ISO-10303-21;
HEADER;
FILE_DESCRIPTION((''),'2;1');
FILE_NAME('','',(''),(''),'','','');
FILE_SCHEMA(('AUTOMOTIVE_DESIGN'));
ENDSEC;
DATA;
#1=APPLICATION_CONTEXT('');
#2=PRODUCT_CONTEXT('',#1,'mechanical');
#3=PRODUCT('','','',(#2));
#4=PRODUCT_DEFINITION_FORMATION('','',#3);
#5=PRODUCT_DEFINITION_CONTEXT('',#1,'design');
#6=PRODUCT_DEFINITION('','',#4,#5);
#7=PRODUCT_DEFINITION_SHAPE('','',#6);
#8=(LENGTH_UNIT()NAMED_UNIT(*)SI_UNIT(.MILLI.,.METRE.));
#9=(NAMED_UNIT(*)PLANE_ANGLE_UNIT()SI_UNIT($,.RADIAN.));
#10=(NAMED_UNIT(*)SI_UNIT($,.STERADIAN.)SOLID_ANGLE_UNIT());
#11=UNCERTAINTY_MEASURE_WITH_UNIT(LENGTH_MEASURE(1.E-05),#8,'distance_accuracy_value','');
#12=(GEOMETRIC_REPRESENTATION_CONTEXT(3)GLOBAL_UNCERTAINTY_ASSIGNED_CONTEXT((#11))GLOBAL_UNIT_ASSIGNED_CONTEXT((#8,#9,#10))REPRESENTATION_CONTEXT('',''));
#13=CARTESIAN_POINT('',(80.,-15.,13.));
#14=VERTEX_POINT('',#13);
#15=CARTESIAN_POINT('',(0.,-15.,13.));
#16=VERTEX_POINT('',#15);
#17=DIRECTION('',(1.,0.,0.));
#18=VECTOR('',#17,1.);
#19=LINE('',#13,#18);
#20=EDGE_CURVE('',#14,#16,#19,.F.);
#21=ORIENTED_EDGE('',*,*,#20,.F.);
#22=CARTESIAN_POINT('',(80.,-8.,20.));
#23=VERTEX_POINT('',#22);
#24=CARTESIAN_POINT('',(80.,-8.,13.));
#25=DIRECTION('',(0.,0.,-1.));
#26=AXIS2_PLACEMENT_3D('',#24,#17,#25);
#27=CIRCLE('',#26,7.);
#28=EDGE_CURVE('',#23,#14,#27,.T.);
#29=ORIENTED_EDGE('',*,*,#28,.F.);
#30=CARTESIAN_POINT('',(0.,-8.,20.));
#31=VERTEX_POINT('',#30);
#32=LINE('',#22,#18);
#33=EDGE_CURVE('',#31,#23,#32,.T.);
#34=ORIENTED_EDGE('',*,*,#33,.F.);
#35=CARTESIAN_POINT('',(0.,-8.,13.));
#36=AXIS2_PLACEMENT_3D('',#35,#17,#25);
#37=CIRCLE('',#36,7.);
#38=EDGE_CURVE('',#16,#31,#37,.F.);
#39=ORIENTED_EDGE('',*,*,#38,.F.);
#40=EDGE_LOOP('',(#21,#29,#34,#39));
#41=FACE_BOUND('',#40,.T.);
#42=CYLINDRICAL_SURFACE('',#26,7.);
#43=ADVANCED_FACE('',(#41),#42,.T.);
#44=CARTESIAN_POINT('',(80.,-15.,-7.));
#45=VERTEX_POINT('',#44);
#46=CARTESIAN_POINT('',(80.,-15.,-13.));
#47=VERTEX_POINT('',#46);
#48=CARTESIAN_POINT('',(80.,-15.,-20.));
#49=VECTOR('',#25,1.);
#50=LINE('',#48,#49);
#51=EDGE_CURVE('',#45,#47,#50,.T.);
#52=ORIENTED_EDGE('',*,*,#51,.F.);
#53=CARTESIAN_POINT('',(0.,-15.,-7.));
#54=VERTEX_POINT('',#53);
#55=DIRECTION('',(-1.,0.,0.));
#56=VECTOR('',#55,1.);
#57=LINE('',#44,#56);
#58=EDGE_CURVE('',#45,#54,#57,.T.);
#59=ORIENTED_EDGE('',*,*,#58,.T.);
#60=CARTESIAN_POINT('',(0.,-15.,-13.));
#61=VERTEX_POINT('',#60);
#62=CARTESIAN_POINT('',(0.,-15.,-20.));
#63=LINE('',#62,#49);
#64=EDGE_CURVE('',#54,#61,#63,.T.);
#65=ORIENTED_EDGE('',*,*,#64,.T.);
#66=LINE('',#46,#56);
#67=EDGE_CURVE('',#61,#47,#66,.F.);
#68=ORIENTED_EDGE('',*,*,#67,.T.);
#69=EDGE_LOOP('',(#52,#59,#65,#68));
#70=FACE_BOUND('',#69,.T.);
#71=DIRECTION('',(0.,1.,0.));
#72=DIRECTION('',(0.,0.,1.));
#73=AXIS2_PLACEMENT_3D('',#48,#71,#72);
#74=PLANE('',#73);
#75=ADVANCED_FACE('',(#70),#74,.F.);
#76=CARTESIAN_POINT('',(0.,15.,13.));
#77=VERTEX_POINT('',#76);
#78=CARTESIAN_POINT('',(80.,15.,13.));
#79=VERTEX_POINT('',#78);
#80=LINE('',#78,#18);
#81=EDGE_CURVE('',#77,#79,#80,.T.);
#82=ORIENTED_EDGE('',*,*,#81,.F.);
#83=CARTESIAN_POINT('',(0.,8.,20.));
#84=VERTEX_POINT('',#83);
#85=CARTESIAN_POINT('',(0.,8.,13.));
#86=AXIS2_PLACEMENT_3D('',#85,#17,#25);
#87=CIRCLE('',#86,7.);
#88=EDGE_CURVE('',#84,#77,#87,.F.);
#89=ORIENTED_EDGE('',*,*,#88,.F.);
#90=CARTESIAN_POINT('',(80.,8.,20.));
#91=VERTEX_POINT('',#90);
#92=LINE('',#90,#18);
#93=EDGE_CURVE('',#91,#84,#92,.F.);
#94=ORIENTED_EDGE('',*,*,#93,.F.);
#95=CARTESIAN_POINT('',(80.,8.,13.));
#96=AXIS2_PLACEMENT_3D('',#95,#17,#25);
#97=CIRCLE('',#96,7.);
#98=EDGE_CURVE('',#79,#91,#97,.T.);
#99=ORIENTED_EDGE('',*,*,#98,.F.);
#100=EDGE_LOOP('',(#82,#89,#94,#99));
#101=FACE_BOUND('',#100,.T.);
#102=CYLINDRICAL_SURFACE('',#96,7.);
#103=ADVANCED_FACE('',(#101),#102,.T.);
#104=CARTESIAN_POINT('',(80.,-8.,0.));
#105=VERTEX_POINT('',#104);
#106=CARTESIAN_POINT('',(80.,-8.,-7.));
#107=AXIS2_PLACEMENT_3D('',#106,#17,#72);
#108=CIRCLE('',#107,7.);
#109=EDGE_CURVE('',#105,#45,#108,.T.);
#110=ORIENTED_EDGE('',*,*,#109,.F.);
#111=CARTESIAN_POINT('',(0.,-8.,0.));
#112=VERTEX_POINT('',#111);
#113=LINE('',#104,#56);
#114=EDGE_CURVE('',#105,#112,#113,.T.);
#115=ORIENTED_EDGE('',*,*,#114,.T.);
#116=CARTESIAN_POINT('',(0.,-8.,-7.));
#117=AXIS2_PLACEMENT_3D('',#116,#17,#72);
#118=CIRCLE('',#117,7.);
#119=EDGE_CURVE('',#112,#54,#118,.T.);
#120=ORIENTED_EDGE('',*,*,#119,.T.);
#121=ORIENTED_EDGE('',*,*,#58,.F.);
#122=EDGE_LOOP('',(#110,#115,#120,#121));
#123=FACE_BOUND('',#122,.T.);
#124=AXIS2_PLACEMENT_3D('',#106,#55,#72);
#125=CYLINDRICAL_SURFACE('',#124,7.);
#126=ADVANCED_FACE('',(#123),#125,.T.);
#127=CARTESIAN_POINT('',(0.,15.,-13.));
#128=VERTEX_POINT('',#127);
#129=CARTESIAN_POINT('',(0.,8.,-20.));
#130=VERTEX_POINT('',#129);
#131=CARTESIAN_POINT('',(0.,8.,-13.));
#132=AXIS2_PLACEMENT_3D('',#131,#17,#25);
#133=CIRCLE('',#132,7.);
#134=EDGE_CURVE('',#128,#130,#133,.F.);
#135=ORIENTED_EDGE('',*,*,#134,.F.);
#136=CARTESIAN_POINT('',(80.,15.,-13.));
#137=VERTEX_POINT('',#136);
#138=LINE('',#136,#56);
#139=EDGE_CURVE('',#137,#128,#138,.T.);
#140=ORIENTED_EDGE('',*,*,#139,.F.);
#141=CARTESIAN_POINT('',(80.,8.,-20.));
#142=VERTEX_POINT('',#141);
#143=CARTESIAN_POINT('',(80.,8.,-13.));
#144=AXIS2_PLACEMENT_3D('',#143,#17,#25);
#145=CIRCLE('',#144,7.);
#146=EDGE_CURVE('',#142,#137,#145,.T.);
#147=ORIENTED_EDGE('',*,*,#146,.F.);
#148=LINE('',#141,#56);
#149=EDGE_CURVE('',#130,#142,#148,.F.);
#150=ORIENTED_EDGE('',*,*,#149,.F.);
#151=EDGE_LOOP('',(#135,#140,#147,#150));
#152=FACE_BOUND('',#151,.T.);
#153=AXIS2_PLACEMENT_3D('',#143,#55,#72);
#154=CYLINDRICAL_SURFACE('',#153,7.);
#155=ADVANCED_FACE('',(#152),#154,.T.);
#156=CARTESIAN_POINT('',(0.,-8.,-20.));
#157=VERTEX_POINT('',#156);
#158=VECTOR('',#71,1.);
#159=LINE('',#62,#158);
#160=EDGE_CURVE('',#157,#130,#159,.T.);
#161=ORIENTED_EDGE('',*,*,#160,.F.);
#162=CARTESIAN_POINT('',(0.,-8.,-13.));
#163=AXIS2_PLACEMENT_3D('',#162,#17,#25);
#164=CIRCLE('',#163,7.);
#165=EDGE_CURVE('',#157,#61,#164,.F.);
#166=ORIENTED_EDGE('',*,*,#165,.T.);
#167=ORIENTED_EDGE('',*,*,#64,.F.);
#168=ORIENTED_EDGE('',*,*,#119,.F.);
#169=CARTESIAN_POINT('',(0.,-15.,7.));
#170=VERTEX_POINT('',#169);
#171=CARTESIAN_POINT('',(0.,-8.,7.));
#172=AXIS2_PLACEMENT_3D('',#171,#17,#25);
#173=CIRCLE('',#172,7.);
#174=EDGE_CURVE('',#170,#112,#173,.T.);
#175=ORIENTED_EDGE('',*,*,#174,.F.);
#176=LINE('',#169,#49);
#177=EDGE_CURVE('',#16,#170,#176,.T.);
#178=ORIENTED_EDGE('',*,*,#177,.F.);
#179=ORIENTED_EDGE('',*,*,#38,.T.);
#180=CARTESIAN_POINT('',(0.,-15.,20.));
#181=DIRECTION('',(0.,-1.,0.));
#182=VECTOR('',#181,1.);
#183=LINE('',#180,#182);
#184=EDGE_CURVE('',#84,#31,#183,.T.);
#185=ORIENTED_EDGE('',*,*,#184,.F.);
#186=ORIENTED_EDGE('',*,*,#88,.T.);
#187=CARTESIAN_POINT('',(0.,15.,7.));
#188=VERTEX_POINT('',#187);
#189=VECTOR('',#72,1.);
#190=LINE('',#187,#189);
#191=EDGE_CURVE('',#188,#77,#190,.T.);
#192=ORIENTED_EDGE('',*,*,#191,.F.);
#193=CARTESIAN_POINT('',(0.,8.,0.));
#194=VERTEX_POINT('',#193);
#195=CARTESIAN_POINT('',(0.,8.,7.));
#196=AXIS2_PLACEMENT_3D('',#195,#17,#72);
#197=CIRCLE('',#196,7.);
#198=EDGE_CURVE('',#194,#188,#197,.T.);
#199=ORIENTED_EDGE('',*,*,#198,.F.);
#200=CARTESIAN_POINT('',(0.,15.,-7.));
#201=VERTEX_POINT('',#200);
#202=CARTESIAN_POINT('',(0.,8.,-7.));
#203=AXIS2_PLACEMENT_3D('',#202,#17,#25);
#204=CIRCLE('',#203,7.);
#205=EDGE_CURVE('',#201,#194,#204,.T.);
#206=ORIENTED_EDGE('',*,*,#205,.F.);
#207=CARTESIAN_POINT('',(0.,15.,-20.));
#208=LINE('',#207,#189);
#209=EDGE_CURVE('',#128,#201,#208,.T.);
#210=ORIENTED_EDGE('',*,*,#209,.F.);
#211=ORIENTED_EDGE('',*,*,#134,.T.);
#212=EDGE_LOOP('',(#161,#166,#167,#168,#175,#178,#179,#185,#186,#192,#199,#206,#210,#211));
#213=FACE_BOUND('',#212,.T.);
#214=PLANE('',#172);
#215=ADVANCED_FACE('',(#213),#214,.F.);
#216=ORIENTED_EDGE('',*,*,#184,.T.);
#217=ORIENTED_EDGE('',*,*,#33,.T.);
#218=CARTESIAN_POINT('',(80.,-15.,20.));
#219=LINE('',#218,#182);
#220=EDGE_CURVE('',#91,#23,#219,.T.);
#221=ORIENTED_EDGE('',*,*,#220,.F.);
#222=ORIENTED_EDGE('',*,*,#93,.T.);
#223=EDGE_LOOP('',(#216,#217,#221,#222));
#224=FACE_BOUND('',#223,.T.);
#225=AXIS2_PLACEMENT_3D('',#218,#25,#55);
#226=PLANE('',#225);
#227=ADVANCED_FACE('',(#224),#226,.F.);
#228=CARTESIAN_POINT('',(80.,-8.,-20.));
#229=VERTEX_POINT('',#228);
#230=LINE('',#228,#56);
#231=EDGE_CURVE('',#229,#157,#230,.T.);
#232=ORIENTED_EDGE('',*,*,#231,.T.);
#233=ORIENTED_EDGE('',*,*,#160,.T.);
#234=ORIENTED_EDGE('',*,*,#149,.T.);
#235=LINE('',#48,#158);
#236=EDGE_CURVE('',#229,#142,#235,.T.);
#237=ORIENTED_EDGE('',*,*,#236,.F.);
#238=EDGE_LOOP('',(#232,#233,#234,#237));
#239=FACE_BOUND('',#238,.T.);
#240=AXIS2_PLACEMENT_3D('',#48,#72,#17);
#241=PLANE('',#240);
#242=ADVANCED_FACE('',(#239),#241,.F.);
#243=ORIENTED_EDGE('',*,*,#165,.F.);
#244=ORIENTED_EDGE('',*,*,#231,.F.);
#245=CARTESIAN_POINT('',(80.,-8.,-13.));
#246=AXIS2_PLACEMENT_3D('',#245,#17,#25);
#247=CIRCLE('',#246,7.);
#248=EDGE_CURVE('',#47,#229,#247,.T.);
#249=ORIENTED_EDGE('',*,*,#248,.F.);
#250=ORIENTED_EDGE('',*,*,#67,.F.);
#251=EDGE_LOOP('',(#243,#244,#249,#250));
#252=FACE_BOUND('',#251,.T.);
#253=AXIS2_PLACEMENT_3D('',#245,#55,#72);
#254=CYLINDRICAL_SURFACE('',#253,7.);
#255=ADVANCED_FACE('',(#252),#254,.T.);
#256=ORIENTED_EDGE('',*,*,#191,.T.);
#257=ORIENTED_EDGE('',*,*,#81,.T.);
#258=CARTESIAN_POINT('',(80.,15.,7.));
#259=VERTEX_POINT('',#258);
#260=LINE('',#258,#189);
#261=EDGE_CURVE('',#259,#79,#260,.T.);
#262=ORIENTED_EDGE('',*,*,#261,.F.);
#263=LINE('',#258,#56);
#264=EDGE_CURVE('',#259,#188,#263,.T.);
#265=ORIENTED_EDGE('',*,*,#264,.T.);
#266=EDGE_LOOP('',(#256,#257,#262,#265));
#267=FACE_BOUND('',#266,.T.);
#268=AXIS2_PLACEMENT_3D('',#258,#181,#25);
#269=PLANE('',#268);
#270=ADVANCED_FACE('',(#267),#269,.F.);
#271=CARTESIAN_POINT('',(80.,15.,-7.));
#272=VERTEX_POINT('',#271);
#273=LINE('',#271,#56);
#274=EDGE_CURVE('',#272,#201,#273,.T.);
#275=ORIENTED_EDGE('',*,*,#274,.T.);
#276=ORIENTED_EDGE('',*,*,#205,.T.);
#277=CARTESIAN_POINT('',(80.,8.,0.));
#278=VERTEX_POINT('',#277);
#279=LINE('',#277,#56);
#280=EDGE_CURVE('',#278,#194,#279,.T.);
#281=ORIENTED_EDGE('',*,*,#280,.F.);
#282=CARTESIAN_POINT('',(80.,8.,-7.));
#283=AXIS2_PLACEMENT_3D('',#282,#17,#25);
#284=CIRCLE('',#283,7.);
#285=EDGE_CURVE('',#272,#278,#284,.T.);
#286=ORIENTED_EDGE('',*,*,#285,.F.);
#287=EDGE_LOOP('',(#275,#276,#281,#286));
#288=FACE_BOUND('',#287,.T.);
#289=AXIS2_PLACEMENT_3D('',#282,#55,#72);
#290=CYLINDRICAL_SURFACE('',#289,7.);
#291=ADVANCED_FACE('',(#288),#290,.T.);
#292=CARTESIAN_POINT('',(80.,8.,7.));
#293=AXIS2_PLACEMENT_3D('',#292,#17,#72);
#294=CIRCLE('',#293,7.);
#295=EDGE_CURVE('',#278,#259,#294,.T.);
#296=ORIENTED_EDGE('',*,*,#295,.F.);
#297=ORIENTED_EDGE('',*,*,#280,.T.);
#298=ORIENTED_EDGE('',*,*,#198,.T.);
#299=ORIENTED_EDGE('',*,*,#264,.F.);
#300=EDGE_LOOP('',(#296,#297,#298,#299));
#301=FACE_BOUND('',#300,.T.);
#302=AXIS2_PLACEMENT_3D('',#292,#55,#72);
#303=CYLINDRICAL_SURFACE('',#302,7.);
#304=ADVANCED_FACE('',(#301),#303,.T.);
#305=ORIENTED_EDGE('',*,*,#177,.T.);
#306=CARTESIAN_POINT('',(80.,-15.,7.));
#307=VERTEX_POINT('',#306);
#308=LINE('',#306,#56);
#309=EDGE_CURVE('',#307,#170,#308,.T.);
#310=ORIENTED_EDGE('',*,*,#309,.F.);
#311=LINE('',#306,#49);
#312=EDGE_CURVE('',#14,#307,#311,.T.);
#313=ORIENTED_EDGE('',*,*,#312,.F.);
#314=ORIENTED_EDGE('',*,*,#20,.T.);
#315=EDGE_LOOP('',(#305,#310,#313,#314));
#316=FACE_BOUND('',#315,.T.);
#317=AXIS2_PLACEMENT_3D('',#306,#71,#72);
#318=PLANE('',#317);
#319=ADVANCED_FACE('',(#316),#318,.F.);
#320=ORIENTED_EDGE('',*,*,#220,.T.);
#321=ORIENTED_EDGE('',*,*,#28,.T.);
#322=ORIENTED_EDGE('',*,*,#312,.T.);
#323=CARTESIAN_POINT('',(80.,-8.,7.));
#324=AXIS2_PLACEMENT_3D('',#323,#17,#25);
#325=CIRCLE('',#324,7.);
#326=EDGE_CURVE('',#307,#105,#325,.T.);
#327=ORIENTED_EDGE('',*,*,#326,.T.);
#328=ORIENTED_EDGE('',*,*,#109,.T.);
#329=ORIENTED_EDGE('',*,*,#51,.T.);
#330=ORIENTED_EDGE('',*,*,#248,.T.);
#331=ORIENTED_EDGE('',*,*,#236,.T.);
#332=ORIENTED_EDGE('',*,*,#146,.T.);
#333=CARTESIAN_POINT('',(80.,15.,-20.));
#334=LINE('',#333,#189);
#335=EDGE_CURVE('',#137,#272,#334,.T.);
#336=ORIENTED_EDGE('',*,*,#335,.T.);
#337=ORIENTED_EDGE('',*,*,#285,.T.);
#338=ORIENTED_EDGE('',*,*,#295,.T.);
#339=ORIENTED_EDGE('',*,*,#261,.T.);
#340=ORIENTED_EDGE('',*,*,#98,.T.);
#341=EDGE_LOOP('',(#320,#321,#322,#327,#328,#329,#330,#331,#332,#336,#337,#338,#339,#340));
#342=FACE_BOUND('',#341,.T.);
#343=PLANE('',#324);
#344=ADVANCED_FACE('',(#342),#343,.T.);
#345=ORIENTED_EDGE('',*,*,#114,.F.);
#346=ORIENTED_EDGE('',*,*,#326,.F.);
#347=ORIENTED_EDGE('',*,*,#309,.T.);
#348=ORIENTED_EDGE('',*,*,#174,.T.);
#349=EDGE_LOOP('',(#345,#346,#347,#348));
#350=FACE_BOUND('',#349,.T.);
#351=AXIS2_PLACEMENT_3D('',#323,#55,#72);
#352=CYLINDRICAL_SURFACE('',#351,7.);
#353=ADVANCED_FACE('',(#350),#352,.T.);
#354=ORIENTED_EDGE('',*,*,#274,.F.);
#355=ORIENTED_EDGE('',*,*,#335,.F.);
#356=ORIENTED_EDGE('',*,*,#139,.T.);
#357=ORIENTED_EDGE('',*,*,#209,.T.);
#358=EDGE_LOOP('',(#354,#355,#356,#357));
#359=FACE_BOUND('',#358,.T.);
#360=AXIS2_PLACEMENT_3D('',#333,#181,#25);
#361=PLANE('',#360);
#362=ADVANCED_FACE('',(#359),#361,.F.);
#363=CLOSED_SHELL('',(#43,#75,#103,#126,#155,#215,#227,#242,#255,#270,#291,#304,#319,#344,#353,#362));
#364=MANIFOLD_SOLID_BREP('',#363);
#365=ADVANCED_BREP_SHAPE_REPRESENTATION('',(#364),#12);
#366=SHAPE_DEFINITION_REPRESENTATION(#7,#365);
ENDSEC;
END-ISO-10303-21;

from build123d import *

# Parameters (mm, degrees)
EXTRUDE_1_DEPTH = 80
FILLET_1_R      = 7
FILLET_2_R      = 7
FILLET_3_R      = 7
FILLET_4_R      = 7


with BuildPart() as part:
    # 草图1 → 凸台-拉伸1 (new body)
    with BuildSketch(Plane(origin=(0, 0, 0), x_dir=(0, 0, -1), z_dir=(1, 0, 0))):
        with BuildLine():
            Line((20, -15), (7, -15))
            ThreePointArc((7, -15), (2.050252532, -12.949747468), (0, -8))
            ThreePointArc((0, -8), (-2.050252532, -12.949747468), (-7, -15))
            Line((-7, -15), (-20, -15))
            Line((-20, -15), (-20, 15))
            Line((-20, 15), (-7, 15))
            ThreePointArc((-7, 15), (-2.050252532, 12.949747468), (0, 8))
            ThreePointArc((0, 8), (2.050252532, 12.949747468), (7, 15))
            Line((7, 15), (20, 15))
            Line((20, 15), (20, -15))
        make_face()
    extrude(amount=EXTRUDE_1_DEPTH)

    # 圆角1
    fillet_1_edges = [part.edges().sort_by_distance(p)[0] for p in [
        (40, 15, -20),
    ]]
    fillet(fillet_1_edges, radius=FILLET_1_R)

    # 圆角2
    fillet_2_edges = [part.edges().sort_by_distance(p)[0] for p in [
        (40, 15, 20),
    ]]
    fillet(fillet_2_edges, radius=FILLET_2_R)

    # 圆角3
    fillet_3_edges = [part.edges().sort_by_distance(p)[0] for p in [
        (40, -15, -20),
    ]]
    fillet(fillet_3_edges, radius=FILLET_3_R)

    # 圆角4
    fillet_4_edges = [part.edges().sort_by_distance(p)[0] for p in [
        (40, -15, 20),
    ]]
    fillet(fillet_4_edges, radius=FILLET_4_R)


solid = part.part
